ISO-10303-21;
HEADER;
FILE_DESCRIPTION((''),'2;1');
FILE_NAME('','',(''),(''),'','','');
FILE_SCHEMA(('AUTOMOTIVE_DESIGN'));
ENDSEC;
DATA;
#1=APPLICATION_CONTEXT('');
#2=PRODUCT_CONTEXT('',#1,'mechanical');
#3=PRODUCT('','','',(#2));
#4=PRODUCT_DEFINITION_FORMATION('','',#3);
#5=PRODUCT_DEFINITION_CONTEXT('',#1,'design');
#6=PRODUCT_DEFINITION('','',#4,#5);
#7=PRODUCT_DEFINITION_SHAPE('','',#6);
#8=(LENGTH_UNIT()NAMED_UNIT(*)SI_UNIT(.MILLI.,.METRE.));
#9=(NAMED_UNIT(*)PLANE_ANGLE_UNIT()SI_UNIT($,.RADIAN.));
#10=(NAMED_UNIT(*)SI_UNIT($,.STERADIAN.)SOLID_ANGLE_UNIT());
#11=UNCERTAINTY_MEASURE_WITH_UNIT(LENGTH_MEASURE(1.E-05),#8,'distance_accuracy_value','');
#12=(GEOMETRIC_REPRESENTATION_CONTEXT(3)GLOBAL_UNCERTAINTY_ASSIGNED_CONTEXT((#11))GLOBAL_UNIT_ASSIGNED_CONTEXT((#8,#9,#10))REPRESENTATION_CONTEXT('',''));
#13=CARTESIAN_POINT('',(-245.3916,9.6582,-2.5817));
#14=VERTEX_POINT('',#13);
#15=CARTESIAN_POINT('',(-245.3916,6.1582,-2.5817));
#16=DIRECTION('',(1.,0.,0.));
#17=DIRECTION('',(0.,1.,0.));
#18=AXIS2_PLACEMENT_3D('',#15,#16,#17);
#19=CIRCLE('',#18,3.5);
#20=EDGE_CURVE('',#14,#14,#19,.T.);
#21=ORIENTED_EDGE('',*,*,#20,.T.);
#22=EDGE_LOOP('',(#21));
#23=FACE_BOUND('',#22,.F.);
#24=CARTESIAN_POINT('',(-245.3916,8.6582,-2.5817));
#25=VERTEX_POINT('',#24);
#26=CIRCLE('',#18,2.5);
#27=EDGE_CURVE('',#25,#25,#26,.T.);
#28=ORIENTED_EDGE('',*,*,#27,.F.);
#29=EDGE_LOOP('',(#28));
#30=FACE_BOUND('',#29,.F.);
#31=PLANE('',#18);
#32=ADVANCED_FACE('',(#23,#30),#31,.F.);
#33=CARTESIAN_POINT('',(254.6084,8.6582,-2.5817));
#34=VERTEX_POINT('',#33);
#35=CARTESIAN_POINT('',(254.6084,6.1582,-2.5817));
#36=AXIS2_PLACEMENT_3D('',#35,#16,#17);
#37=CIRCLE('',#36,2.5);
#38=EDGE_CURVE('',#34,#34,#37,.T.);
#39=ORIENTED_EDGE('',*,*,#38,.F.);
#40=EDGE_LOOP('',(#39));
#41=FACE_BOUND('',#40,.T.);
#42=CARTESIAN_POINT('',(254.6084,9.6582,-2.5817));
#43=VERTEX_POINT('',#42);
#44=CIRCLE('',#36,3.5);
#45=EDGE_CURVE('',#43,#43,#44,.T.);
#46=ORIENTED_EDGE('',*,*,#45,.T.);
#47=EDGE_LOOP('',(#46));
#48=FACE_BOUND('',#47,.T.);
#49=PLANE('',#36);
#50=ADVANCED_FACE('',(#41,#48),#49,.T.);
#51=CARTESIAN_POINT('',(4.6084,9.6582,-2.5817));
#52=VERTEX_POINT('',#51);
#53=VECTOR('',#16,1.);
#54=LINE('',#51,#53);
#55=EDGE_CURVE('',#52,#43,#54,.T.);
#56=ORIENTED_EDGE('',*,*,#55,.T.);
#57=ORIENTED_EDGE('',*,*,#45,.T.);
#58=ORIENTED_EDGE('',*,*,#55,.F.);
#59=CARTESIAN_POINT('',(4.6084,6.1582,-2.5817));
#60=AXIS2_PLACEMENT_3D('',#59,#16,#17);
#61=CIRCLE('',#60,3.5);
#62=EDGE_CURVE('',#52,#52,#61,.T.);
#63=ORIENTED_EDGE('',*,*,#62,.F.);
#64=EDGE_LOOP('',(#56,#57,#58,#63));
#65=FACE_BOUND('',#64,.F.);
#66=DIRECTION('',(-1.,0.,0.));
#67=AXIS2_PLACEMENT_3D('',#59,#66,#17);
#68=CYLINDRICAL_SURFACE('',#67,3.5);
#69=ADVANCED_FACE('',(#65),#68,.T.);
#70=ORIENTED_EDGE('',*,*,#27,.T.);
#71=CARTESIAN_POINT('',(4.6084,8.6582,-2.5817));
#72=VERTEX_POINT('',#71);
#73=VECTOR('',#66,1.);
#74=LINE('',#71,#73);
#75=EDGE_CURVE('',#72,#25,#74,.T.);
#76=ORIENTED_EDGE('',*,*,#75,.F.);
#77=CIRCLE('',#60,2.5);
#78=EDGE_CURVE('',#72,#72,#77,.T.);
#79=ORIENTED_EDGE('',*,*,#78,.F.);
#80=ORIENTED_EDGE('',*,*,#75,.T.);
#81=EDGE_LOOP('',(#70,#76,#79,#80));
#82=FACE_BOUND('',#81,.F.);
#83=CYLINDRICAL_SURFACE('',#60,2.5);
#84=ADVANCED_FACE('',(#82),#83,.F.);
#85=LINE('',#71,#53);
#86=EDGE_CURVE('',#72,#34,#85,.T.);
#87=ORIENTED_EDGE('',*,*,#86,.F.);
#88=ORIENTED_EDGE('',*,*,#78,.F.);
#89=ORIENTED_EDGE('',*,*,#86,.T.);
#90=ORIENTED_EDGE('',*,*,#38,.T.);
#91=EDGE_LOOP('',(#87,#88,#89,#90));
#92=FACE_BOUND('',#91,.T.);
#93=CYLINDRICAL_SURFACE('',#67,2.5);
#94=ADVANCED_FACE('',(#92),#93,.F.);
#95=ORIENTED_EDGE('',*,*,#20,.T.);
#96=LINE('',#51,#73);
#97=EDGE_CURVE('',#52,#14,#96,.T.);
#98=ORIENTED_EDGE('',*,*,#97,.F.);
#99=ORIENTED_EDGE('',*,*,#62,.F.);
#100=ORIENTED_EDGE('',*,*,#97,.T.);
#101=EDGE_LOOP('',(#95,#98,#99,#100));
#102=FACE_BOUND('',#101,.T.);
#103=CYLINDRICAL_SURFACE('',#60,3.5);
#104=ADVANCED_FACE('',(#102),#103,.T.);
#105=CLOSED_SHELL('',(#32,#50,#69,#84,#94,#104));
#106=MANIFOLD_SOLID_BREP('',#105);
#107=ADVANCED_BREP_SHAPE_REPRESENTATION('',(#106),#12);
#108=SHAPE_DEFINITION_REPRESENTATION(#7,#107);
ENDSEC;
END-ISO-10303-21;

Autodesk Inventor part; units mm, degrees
ref_plane "YZ Plane" through (0, 0, 0) normal (1, 0, 0) x (0, 1, 0)
ref_plane "XZ Plane" through (0, 0, 0) normal (0, 1, 0) x (-1, 0, 0)
ref_plane "Work Plane1" through (4.6084, 6.1582, -2.5817) normal (1, 0, 0) x (0, 1, 0)
sketch "Sketch1" plane through (4.6084, 6.1582, -2.5817) normal (1, 0, 0) x (0, 1, 0)
  circle A0 centre (0, 0) radius 3.5
  circle A1 centre (0, 0) radius 2.5
  point P0 (-6.1582, 2.5817)
  dimension "d0" = 7
  dimension "d3" = 5
extrude "Extrusion1" add sketch "Sketch1" along normal mid plane 500
